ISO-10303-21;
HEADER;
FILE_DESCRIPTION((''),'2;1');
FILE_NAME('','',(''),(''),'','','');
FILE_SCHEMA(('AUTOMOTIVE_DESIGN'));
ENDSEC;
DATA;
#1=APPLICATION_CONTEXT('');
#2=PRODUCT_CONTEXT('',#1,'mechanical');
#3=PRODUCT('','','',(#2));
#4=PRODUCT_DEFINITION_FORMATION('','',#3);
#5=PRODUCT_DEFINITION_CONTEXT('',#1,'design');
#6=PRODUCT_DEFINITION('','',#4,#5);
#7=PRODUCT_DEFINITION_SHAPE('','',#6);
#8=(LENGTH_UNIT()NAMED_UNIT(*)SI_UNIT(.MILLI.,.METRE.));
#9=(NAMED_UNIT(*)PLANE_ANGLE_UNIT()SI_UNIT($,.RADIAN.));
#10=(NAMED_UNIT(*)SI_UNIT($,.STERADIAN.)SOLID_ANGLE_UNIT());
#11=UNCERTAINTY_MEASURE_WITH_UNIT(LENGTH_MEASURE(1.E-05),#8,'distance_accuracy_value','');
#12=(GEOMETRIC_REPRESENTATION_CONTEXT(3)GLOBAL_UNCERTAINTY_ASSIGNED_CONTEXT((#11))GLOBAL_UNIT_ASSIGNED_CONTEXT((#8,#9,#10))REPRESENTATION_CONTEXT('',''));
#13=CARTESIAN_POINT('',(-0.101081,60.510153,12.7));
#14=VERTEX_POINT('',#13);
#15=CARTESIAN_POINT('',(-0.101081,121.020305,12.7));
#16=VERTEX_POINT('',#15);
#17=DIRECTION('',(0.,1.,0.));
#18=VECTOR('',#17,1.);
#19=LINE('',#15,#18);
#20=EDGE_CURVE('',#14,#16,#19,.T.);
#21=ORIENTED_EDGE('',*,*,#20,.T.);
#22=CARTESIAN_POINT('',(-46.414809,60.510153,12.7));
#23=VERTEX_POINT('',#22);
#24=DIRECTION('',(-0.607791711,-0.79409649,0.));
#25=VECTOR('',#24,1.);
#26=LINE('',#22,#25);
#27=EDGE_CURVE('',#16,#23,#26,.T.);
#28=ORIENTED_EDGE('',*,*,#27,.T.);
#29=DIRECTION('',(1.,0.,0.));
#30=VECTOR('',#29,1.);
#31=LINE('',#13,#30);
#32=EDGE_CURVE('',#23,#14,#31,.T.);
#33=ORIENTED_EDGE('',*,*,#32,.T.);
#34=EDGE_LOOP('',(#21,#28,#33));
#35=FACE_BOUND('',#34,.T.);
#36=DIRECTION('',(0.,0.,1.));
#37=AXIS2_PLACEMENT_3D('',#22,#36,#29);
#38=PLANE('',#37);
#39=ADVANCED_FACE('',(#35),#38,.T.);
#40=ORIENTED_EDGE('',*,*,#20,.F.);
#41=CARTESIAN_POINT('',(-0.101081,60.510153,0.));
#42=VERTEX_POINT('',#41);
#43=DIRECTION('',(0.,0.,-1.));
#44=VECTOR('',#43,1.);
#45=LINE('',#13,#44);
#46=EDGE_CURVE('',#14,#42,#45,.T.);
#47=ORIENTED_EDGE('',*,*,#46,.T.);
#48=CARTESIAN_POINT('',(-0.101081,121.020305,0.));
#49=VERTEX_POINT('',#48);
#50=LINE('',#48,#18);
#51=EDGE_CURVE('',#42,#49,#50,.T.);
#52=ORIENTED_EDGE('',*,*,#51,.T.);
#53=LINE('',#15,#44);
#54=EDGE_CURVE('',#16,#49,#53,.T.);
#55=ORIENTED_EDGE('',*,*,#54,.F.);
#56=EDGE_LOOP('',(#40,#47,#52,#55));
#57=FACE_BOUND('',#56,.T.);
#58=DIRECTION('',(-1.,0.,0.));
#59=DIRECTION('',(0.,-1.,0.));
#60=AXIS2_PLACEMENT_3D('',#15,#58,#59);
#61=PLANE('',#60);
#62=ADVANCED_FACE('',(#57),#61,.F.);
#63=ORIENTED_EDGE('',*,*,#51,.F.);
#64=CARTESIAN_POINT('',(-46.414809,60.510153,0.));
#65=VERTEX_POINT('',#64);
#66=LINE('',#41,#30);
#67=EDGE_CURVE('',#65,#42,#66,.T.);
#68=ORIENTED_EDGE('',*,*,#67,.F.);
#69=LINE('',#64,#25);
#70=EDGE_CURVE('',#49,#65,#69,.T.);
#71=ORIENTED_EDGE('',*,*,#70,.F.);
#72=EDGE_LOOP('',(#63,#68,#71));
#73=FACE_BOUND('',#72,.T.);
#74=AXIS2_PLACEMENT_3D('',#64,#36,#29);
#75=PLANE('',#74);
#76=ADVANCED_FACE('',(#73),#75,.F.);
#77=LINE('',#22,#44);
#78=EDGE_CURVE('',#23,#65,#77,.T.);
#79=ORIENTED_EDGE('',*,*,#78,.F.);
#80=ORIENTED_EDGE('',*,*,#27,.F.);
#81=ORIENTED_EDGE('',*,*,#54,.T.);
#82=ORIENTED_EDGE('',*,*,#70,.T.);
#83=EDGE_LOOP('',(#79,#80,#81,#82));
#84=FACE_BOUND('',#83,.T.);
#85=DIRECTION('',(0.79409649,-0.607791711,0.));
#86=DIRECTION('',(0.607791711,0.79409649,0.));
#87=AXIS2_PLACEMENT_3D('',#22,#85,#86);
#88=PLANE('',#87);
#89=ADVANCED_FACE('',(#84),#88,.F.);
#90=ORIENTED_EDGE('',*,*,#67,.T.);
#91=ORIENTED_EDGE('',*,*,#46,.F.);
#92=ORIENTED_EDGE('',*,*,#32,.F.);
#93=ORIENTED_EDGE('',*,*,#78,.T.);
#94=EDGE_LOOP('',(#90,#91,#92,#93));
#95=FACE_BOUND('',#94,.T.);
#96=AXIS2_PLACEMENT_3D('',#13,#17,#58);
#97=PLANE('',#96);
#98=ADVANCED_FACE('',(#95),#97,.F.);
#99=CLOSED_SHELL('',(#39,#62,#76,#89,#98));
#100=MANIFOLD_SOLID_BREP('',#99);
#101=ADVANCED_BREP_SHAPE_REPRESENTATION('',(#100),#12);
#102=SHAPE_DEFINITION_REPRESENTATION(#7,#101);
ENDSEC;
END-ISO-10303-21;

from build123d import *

# Parameters (mm, degrees)
EXTRUDE1_DEPTH = 12.7


with BuildPart() as part:
    # Sketch1 → Extrude1 (new body)
    with BuildSketch(Plane.XY):
        Polygon((-0.101081025, 121.020305138), (-0.101081025, 60.510152569), (-46.414809401, 60.510152569), align=None)
    extrude(amount=EXTRUDE1_DEPTH)


solid = part.part
